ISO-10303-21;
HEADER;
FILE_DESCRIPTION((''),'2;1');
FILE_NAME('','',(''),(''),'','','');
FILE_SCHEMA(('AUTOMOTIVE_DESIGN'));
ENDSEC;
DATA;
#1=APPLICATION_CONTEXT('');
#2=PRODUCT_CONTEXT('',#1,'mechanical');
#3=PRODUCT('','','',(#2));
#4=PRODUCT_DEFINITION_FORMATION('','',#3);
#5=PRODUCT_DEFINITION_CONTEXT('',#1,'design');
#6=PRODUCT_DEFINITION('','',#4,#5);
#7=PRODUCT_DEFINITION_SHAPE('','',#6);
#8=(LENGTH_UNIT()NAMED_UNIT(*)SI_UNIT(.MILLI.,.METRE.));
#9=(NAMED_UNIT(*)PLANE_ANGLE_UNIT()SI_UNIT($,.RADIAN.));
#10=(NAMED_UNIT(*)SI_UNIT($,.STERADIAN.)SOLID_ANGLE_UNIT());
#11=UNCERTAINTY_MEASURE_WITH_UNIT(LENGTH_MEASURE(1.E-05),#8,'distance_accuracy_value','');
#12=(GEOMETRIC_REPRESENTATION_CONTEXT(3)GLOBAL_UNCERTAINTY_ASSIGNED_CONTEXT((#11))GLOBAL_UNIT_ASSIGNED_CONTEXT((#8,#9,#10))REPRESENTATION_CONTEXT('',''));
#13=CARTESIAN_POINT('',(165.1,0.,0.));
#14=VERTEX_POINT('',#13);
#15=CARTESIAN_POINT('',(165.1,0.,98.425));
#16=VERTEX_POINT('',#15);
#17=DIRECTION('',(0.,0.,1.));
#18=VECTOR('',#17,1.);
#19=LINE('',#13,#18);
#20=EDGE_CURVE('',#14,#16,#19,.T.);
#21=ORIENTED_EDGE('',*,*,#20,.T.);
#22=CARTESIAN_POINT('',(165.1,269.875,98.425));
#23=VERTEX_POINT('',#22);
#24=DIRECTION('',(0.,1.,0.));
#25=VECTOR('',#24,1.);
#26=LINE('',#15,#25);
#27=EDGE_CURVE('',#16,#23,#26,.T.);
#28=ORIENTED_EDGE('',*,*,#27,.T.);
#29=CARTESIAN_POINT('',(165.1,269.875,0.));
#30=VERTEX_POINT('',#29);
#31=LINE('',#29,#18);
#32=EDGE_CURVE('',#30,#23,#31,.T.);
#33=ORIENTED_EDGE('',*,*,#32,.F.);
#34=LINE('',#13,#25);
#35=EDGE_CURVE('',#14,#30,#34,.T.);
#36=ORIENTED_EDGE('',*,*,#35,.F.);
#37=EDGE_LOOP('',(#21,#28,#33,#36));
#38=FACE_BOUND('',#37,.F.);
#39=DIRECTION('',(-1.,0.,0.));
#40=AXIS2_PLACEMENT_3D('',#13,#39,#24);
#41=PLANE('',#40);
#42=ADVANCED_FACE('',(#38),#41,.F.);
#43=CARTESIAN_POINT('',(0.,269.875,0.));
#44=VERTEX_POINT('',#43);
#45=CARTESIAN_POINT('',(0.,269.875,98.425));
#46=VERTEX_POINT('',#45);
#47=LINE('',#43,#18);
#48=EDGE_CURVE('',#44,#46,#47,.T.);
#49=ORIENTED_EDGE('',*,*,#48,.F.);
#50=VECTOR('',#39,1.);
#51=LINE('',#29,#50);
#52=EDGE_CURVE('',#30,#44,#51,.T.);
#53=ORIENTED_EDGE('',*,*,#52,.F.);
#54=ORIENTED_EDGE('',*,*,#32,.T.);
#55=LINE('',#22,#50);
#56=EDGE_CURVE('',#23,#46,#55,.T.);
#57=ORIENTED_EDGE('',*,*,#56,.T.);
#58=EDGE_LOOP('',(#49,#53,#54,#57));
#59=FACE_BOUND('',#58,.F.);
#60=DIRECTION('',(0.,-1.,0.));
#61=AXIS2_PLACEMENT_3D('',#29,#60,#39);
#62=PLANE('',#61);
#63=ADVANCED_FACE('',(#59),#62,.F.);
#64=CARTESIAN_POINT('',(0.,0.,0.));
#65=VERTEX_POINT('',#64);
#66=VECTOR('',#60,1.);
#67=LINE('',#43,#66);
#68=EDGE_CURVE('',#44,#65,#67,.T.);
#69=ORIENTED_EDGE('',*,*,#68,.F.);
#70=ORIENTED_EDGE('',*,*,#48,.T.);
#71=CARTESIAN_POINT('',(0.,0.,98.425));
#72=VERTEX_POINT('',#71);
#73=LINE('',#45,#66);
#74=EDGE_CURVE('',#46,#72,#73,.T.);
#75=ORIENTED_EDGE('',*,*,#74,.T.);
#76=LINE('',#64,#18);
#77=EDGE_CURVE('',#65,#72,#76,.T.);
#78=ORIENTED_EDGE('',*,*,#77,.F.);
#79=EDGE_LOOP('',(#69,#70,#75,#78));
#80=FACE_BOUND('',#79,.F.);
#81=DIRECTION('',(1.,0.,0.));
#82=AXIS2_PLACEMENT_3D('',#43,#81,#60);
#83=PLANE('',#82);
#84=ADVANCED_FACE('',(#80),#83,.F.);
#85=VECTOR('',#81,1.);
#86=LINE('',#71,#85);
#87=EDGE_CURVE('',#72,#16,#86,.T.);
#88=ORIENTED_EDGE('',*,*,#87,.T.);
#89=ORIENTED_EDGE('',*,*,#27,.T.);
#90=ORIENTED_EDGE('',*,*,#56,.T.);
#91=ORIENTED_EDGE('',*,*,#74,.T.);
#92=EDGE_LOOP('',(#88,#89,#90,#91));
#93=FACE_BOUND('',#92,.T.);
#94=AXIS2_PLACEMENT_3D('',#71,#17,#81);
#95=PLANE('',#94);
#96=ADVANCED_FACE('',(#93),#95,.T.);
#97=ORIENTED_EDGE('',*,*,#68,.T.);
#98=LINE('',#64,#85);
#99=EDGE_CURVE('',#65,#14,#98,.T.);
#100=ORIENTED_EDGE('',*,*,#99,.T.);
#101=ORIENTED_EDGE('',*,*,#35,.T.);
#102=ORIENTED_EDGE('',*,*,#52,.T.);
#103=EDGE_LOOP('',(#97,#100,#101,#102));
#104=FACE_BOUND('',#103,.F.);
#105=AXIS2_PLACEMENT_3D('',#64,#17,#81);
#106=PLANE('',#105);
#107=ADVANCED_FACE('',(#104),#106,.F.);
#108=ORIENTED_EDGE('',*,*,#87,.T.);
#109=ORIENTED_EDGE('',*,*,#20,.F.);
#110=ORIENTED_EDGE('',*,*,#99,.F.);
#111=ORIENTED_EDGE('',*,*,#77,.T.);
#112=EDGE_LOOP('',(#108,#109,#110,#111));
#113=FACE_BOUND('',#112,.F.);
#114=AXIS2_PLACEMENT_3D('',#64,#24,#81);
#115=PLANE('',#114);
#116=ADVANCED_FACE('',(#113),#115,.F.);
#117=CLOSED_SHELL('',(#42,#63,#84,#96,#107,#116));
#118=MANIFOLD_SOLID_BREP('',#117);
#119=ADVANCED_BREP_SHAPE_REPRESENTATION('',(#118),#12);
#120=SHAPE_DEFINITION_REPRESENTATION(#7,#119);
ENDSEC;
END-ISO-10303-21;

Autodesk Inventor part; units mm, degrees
ref_plane "YZ Plane" through (0, 0, 0) normal (1, 0, 0) x (0, 1, 0)
ref_plane "XZ Plane" through (0, 0, 0) normal (0, 1, 0) x (-1, 0, 0)
ref_plane "XY Plane" through (0, 0, 0) normal (0, 0, 1) x (1, 0, 0)
sketch "Sketch1" plane through (0, 0, 0) normal (0, 0, 1) x (1, 0, 0)
  line L0 (0, 0) -> (165.1, 0)
  line L1 (165.1, 0) -> (165.1, 269.875)
  line L2 (165.1, 269.875) -> (0, 269.875)
  line L3 (0, 269.875) -> (0, 0)
  dimension "d0" = 269.875
  dimension "d1" = 165.1
extrude "Extrusion1" add sketch "Sketch1" along normal blind 98.425
properties part number "roller placemnet"
